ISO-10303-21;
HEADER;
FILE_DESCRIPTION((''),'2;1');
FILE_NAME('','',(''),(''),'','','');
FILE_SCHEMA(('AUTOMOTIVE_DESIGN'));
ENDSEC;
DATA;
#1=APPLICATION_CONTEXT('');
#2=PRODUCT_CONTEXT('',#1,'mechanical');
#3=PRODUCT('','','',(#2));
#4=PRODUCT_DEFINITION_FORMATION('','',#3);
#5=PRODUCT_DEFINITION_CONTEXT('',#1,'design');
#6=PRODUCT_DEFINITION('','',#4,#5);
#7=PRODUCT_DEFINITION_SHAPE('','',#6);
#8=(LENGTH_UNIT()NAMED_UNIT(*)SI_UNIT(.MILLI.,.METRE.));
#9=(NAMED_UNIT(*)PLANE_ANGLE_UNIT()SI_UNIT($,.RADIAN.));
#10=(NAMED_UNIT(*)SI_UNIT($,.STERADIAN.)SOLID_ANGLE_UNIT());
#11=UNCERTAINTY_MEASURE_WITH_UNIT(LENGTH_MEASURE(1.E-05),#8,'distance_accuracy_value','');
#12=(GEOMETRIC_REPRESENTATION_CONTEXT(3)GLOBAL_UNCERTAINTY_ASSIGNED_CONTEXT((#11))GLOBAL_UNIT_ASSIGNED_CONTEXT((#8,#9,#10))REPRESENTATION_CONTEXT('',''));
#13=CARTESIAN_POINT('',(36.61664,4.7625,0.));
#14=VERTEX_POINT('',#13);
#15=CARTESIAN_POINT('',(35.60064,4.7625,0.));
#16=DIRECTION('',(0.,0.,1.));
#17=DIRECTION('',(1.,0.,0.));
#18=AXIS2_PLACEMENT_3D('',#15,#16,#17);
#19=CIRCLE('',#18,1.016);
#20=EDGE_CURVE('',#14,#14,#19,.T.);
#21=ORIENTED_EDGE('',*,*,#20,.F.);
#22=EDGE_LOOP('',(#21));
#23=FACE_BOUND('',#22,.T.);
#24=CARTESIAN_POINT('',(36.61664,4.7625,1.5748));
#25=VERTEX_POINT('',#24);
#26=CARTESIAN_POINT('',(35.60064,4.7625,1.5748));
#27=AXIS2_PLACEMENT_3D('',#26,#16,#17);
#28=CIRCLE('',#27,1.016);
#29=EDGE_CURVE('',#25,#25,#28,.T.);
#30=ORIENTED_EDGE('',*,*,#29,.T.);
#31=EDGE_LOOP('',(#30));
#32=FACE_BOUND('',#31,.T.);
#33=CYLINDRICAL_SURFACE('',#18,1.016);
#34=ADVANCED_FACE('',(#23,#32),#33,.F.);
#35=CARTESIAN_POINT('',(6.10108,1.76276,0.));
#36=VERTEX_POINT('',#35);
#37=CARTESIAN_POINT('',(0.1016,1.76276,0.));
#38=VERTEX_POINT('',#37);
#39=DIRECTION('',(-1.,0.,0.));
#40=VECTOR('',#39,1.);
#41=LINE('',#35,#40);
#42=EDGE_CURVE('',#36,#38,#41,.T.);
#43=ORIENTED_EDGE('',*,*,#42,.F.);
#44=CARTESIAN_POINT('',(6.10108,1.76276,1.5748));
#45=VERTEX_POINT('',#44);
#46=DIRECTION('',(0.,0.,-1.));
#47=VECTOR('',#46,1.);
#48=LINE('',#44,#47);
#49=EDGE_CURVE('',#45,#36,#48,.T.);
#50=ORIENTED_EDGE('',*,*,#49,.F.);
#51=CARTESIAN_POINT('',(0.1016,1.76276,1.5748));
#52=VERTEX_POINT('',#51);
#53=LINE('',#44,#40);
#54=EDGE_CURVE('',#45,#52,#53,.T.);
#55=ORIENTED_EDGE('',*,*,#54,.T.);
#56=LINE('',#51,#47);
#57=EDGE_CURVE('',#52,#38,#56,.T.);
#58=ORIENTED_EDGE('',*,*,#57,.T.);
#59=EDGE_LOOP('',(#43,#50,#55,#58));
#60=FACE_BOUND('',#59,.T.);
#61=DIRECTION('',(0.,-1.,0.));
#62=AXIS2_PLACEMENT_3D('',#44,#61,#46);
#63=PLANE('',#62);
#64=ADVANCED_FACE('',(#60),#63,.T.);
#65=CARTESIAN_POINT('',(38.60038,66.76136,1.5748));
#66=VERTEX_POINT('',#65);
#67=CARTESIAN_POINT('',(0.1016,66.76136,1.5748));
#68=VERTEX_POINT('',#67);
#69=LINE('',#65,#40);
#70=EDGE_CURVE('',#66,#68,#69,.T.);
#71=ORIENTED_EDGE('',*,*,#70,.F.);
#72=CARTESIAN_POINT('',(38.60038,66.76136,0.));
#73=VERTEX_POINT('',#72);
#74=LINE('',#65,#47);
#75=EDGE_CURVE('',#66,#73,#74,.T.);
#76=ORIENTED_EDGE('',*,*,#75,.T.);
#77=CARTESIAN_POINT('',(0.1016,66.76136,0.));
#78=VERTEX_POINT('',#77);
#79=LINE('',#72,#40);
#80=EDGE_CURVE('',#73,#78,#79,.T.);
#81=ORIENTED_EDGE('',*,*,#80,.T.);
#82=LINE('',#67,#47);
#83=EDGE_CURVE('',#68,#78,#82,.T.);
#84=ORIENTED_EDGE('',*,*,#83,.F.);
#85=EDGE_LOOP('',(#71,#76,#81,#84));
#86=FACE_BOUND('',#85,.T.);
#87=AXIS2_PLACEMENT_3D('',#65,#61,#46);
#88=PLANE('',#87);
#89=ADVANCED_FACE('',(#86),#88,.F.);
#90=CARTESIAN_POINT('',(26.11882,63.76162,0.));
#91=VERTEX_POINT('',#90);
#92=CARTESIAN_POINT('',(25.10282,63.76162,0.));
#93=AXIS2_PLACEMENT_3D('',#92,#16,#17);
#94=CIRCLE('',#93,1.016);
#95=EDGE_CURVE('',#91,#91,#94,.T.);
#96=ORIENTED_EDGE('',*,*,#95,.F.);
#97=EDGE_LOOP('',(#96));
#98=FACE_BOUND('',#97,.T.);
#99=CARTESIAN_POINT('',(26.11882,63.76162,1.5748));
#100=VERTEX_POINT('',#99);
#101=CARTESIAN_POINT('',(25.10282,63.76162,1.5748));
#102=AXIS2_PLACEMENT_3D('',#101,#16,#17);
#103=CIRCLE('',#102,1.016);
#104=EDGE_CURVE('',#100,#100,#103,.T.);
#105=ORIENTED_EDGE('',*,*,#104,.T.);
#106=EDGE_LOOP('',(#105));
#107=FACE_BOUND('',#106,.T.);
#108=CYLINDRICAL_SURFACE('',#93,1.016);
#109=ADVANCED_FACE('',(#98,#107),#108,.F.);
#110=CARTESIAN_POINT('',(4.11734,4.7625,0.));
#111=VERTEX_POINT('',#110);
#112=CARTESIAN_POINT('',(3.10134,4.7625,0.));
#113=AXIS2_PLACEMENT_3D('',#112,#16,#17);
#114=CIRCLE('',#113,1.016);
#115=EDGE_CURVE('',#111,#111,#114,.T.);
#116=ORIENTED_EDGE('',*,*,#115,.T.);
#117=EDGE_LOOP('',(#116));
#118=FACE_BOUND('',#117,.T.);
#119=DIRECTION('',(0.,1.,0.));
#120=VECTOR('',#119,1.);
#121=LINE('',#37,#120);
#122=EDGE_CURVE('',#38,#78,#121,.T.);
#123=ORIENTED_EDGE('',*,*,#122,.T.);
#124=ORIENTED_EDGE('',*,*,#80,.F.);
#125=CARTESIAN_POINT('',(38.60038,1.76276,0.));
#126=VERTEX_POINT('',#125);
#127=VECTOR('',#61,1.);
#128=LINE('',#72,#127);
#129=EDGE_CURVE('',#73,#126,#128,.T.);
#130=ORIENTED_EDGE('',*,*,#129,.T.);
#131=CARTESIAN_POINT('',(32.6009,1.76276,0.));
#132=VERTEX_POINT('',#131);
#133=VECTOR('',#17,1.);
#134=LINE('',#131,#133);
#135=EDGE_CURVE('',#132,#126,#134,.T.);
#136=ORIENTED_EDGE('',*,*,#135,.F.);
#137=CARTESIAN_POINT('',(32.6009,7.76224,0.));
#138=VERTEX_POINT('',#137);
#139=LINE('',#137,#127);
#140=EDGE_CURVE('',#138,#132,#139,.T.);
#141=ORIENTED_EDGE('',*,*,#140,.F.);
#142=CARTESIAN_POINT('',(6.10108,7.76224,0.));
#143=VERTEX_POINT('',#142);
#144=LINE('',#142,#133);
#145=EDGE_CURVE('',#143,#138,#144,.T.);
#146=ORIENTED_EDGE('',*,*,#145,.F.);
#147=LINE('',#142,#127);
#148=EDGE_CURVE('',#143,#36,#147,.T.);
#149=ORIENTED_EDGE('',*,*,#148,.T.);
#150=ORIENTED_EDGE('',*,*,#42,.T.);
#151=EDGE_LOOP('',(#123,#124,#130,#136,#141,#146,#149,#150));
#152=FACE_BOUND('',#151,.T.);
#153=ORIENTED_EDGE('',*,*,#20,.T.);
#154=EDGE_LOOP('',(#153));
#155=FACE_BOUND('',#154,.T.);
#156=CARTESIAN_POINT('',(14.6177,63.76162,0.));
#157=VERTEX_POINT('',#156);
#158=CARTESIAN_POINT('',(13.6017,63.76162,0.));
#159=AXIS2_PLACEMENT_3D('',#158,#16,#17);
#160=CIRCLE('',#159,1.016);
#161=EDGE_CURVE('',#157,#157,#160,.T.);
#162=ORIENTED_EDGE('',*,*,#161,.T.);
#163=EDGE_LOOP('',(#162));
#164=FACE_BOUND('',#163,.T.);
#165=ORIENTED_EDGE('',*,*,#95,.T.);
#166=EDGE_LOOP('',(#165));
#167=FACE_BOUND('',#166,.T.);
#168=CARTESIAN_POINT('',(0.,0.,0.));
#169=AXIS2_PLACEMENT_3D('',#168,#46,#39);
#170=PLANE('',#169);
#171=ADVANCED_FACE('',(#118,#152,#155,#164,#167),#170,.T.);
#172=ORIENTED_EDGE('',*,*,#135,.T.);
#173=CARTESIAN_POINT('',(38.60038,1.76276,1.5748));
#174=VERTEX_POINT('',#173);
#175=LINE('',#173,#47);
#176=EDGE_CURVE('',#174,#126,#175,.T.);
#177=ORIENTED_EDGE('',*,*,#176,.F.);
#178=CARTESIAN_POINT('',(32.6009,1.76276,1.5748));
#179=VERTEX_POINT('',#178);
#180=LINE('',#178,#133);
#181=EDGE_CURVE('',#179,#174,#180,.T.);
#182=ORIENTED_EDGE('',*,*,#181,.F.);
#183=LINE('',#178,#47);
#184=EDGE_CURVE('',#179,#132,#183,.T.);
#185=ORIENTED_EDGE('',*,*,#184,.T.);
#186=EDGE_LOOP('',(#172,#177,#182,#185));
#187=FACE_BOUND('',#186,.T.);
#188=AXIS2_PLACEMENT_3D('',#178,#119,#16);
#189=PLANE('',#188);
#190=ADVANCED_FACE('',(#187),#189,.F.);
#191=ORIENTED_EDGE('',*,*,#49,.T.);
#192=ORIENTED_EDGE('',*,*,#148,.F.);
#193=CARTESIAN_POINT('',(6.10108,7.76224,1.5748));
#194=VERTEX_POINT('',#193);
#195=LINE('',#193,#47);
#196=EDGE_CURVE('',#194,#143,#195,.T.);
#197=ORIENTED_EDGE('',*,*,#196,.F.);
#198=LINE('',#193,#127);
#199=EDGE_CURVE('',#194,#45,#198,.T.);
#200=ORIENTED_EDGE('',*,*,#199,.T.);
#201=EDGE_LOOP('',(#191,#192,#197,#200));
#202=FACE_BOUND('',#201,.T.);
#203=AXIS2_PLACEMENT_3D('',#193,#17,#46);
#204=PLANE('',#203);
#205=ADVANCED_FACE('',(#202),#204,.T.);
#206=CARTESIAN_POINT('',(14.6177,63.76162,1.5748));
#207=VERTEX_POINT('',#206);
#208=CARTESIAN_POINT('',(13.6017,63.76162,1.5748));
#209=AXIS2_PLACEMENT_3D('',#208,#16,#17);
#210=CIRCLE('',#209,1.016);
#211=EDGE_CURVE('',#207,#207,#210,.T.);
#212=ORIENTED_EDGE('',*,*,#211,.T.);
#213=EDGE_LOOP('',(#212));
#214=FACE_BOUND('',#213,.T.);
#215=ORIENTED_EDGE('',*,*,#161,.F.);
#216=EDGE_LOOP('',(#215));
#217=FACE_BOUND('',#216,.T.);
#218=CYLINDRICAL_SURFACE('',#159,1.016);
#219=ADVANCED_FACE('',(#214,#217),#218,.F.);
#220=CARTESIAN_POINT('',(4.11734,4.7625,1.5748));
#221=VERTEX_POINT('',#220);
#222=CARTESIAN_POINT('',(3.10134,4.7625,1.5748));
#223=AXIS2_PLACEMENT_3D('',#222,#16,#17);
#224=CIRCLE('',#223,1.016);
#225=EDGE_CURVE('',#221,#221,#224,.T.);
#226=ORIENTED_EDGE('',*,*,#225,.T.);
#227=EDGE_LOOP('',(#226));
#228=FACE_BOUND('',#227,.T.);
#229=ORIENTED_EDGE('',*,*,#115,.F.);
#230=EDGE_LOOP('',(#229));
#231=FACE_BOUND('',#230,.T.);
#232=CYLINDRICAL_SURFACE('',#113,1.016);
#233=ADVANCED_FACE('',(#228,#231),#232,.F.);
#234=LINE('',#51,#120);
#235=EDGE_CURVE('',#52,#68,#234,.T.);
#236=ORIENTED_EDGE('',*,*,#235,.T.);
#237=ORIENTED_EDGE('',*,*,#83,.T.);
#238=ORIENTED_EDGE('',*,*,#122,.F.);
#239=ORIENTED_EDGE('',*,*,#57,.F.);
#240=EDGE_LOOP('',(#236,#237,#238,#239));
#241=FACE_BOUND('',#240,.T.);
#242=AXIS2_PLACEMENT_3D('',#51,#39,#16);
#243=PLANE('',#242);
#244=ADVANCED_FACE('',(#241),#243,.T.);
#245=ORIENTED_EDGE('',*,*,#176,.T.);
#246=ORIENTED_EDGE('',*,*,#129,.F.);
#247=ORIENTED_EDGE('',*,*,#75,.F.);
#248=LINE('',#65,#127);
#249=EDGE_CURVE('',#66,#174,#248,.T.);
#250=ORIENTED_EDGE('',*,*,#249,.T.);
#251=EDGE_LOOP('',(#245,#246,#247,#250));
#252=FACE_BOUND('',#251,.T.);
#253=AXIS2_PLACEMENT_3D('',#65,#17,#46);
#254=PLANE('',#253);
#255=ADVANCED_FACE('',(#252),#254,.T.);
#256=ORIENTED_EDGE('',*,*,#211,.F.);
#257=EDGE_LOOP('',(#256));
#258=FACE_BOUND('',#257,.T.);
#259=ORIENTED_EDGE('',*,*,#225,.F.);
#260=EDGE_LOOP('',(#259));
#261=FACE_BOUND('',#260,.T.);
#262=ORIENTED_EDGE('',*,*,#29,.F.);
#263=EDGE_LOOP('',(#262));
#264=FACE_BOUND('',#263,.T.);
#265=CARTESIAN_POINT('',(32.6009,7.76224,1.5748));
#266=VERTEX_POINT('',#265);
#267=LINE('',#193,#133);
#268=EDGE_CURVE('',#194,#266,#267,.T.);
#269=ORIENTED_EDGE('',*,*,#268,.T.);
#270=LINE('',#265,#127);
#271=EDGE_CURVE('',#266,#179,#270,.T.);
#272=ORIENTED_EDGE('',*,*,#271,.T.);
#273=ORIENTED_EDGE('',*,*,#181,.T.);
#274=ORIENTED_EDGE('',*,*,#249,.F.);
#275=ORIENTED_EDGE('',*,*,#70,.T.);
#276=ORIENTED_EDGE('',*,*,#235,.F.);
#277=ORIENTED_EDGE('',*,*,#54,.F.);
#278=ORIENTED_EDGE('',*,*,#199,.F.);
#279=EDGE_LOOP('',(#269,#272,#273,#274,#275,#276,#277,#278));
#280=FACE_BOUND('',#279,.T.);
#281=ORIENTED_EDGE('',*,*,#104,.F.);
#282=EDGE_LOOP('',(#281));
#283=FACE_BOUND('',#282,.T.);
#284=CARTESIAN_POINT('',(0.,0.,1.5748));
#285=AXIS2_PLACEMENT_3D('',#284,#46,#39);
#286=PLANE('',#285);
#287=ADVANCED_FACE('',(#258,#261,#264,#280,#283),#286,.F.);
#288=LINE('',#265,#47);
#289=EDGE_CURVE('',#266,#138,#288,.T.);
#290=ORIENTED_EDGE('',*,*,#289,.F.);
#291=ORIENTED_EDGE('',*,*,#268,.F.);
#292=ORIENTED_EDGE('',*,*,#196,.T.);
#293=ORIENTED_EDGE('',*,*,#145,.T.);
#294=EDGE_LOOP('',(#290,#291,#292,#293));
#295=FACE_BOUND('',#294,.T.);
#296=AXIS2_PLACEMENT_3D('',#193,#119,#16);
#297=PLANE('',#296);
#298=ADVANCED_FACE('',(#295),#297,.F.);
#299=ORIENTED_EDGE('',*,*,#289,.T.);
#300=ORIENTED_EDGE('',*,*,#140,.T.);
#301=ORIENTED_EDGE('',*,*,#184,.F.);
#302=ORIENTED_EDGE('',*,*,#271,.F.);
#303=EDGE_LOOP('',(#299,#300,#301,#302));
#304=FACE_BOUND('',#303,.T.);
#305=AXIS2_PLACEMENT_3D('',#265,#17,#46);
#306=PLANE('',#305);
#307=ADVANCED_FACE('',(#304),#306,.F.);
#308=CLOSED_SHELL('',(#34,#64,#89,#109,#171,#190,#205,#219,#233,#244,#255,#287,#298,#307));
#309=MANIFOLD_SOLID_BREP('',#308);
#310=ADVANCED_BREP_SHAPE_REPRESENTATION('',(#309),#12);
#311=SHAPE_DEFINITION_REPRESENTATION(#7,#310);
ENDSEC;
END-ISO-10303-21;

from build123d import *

# Parameters (mm, degrees)
BOSS_EXTRUDE1_DEPTH = 1.5748
SKETCH4_R           = 1.016
CUT_EXTRUDE1_DEPTH  = 78.133316539


with BuildPart() as part:
    # Model → Boss-Extrude1 (new body)
    with BuildSketch(Plane.XY):
        Polygon((6.10108, 7.76224), (32.6009, 7.76224), (32.6009, 1.76276), (38.60038, 1.76276), (38.60038, 66.76136), (0.1016, 66.76136), (0.1016, 1.76276), (6.10108, 1.76276), align=None)
    extrude(amount=BOSS_EXTRUDE1_DEPTH)

    # Sketch4 → Cut-Extrude1 (cut, through all)
    with BuildSketch(Plane.XY.offset(1.5748)):
        with Locations((13.6017, 63.76162)):
            Circle(SKETCH4_R)
        with Locations((25.10282, 63.76162)):
            Circle(SKETCH4_R)
        with Locations((3.10134, 4.7625)):
            Circle(SKETCH4_R)
        with Locations((35.60064, 4.7625)):
            Circle(SKETCH4_R)
    extrude(amount=-CUT_EXTRUDE1_DEPTH, mode=Mode.SUBTRACT)


solid = part.part
